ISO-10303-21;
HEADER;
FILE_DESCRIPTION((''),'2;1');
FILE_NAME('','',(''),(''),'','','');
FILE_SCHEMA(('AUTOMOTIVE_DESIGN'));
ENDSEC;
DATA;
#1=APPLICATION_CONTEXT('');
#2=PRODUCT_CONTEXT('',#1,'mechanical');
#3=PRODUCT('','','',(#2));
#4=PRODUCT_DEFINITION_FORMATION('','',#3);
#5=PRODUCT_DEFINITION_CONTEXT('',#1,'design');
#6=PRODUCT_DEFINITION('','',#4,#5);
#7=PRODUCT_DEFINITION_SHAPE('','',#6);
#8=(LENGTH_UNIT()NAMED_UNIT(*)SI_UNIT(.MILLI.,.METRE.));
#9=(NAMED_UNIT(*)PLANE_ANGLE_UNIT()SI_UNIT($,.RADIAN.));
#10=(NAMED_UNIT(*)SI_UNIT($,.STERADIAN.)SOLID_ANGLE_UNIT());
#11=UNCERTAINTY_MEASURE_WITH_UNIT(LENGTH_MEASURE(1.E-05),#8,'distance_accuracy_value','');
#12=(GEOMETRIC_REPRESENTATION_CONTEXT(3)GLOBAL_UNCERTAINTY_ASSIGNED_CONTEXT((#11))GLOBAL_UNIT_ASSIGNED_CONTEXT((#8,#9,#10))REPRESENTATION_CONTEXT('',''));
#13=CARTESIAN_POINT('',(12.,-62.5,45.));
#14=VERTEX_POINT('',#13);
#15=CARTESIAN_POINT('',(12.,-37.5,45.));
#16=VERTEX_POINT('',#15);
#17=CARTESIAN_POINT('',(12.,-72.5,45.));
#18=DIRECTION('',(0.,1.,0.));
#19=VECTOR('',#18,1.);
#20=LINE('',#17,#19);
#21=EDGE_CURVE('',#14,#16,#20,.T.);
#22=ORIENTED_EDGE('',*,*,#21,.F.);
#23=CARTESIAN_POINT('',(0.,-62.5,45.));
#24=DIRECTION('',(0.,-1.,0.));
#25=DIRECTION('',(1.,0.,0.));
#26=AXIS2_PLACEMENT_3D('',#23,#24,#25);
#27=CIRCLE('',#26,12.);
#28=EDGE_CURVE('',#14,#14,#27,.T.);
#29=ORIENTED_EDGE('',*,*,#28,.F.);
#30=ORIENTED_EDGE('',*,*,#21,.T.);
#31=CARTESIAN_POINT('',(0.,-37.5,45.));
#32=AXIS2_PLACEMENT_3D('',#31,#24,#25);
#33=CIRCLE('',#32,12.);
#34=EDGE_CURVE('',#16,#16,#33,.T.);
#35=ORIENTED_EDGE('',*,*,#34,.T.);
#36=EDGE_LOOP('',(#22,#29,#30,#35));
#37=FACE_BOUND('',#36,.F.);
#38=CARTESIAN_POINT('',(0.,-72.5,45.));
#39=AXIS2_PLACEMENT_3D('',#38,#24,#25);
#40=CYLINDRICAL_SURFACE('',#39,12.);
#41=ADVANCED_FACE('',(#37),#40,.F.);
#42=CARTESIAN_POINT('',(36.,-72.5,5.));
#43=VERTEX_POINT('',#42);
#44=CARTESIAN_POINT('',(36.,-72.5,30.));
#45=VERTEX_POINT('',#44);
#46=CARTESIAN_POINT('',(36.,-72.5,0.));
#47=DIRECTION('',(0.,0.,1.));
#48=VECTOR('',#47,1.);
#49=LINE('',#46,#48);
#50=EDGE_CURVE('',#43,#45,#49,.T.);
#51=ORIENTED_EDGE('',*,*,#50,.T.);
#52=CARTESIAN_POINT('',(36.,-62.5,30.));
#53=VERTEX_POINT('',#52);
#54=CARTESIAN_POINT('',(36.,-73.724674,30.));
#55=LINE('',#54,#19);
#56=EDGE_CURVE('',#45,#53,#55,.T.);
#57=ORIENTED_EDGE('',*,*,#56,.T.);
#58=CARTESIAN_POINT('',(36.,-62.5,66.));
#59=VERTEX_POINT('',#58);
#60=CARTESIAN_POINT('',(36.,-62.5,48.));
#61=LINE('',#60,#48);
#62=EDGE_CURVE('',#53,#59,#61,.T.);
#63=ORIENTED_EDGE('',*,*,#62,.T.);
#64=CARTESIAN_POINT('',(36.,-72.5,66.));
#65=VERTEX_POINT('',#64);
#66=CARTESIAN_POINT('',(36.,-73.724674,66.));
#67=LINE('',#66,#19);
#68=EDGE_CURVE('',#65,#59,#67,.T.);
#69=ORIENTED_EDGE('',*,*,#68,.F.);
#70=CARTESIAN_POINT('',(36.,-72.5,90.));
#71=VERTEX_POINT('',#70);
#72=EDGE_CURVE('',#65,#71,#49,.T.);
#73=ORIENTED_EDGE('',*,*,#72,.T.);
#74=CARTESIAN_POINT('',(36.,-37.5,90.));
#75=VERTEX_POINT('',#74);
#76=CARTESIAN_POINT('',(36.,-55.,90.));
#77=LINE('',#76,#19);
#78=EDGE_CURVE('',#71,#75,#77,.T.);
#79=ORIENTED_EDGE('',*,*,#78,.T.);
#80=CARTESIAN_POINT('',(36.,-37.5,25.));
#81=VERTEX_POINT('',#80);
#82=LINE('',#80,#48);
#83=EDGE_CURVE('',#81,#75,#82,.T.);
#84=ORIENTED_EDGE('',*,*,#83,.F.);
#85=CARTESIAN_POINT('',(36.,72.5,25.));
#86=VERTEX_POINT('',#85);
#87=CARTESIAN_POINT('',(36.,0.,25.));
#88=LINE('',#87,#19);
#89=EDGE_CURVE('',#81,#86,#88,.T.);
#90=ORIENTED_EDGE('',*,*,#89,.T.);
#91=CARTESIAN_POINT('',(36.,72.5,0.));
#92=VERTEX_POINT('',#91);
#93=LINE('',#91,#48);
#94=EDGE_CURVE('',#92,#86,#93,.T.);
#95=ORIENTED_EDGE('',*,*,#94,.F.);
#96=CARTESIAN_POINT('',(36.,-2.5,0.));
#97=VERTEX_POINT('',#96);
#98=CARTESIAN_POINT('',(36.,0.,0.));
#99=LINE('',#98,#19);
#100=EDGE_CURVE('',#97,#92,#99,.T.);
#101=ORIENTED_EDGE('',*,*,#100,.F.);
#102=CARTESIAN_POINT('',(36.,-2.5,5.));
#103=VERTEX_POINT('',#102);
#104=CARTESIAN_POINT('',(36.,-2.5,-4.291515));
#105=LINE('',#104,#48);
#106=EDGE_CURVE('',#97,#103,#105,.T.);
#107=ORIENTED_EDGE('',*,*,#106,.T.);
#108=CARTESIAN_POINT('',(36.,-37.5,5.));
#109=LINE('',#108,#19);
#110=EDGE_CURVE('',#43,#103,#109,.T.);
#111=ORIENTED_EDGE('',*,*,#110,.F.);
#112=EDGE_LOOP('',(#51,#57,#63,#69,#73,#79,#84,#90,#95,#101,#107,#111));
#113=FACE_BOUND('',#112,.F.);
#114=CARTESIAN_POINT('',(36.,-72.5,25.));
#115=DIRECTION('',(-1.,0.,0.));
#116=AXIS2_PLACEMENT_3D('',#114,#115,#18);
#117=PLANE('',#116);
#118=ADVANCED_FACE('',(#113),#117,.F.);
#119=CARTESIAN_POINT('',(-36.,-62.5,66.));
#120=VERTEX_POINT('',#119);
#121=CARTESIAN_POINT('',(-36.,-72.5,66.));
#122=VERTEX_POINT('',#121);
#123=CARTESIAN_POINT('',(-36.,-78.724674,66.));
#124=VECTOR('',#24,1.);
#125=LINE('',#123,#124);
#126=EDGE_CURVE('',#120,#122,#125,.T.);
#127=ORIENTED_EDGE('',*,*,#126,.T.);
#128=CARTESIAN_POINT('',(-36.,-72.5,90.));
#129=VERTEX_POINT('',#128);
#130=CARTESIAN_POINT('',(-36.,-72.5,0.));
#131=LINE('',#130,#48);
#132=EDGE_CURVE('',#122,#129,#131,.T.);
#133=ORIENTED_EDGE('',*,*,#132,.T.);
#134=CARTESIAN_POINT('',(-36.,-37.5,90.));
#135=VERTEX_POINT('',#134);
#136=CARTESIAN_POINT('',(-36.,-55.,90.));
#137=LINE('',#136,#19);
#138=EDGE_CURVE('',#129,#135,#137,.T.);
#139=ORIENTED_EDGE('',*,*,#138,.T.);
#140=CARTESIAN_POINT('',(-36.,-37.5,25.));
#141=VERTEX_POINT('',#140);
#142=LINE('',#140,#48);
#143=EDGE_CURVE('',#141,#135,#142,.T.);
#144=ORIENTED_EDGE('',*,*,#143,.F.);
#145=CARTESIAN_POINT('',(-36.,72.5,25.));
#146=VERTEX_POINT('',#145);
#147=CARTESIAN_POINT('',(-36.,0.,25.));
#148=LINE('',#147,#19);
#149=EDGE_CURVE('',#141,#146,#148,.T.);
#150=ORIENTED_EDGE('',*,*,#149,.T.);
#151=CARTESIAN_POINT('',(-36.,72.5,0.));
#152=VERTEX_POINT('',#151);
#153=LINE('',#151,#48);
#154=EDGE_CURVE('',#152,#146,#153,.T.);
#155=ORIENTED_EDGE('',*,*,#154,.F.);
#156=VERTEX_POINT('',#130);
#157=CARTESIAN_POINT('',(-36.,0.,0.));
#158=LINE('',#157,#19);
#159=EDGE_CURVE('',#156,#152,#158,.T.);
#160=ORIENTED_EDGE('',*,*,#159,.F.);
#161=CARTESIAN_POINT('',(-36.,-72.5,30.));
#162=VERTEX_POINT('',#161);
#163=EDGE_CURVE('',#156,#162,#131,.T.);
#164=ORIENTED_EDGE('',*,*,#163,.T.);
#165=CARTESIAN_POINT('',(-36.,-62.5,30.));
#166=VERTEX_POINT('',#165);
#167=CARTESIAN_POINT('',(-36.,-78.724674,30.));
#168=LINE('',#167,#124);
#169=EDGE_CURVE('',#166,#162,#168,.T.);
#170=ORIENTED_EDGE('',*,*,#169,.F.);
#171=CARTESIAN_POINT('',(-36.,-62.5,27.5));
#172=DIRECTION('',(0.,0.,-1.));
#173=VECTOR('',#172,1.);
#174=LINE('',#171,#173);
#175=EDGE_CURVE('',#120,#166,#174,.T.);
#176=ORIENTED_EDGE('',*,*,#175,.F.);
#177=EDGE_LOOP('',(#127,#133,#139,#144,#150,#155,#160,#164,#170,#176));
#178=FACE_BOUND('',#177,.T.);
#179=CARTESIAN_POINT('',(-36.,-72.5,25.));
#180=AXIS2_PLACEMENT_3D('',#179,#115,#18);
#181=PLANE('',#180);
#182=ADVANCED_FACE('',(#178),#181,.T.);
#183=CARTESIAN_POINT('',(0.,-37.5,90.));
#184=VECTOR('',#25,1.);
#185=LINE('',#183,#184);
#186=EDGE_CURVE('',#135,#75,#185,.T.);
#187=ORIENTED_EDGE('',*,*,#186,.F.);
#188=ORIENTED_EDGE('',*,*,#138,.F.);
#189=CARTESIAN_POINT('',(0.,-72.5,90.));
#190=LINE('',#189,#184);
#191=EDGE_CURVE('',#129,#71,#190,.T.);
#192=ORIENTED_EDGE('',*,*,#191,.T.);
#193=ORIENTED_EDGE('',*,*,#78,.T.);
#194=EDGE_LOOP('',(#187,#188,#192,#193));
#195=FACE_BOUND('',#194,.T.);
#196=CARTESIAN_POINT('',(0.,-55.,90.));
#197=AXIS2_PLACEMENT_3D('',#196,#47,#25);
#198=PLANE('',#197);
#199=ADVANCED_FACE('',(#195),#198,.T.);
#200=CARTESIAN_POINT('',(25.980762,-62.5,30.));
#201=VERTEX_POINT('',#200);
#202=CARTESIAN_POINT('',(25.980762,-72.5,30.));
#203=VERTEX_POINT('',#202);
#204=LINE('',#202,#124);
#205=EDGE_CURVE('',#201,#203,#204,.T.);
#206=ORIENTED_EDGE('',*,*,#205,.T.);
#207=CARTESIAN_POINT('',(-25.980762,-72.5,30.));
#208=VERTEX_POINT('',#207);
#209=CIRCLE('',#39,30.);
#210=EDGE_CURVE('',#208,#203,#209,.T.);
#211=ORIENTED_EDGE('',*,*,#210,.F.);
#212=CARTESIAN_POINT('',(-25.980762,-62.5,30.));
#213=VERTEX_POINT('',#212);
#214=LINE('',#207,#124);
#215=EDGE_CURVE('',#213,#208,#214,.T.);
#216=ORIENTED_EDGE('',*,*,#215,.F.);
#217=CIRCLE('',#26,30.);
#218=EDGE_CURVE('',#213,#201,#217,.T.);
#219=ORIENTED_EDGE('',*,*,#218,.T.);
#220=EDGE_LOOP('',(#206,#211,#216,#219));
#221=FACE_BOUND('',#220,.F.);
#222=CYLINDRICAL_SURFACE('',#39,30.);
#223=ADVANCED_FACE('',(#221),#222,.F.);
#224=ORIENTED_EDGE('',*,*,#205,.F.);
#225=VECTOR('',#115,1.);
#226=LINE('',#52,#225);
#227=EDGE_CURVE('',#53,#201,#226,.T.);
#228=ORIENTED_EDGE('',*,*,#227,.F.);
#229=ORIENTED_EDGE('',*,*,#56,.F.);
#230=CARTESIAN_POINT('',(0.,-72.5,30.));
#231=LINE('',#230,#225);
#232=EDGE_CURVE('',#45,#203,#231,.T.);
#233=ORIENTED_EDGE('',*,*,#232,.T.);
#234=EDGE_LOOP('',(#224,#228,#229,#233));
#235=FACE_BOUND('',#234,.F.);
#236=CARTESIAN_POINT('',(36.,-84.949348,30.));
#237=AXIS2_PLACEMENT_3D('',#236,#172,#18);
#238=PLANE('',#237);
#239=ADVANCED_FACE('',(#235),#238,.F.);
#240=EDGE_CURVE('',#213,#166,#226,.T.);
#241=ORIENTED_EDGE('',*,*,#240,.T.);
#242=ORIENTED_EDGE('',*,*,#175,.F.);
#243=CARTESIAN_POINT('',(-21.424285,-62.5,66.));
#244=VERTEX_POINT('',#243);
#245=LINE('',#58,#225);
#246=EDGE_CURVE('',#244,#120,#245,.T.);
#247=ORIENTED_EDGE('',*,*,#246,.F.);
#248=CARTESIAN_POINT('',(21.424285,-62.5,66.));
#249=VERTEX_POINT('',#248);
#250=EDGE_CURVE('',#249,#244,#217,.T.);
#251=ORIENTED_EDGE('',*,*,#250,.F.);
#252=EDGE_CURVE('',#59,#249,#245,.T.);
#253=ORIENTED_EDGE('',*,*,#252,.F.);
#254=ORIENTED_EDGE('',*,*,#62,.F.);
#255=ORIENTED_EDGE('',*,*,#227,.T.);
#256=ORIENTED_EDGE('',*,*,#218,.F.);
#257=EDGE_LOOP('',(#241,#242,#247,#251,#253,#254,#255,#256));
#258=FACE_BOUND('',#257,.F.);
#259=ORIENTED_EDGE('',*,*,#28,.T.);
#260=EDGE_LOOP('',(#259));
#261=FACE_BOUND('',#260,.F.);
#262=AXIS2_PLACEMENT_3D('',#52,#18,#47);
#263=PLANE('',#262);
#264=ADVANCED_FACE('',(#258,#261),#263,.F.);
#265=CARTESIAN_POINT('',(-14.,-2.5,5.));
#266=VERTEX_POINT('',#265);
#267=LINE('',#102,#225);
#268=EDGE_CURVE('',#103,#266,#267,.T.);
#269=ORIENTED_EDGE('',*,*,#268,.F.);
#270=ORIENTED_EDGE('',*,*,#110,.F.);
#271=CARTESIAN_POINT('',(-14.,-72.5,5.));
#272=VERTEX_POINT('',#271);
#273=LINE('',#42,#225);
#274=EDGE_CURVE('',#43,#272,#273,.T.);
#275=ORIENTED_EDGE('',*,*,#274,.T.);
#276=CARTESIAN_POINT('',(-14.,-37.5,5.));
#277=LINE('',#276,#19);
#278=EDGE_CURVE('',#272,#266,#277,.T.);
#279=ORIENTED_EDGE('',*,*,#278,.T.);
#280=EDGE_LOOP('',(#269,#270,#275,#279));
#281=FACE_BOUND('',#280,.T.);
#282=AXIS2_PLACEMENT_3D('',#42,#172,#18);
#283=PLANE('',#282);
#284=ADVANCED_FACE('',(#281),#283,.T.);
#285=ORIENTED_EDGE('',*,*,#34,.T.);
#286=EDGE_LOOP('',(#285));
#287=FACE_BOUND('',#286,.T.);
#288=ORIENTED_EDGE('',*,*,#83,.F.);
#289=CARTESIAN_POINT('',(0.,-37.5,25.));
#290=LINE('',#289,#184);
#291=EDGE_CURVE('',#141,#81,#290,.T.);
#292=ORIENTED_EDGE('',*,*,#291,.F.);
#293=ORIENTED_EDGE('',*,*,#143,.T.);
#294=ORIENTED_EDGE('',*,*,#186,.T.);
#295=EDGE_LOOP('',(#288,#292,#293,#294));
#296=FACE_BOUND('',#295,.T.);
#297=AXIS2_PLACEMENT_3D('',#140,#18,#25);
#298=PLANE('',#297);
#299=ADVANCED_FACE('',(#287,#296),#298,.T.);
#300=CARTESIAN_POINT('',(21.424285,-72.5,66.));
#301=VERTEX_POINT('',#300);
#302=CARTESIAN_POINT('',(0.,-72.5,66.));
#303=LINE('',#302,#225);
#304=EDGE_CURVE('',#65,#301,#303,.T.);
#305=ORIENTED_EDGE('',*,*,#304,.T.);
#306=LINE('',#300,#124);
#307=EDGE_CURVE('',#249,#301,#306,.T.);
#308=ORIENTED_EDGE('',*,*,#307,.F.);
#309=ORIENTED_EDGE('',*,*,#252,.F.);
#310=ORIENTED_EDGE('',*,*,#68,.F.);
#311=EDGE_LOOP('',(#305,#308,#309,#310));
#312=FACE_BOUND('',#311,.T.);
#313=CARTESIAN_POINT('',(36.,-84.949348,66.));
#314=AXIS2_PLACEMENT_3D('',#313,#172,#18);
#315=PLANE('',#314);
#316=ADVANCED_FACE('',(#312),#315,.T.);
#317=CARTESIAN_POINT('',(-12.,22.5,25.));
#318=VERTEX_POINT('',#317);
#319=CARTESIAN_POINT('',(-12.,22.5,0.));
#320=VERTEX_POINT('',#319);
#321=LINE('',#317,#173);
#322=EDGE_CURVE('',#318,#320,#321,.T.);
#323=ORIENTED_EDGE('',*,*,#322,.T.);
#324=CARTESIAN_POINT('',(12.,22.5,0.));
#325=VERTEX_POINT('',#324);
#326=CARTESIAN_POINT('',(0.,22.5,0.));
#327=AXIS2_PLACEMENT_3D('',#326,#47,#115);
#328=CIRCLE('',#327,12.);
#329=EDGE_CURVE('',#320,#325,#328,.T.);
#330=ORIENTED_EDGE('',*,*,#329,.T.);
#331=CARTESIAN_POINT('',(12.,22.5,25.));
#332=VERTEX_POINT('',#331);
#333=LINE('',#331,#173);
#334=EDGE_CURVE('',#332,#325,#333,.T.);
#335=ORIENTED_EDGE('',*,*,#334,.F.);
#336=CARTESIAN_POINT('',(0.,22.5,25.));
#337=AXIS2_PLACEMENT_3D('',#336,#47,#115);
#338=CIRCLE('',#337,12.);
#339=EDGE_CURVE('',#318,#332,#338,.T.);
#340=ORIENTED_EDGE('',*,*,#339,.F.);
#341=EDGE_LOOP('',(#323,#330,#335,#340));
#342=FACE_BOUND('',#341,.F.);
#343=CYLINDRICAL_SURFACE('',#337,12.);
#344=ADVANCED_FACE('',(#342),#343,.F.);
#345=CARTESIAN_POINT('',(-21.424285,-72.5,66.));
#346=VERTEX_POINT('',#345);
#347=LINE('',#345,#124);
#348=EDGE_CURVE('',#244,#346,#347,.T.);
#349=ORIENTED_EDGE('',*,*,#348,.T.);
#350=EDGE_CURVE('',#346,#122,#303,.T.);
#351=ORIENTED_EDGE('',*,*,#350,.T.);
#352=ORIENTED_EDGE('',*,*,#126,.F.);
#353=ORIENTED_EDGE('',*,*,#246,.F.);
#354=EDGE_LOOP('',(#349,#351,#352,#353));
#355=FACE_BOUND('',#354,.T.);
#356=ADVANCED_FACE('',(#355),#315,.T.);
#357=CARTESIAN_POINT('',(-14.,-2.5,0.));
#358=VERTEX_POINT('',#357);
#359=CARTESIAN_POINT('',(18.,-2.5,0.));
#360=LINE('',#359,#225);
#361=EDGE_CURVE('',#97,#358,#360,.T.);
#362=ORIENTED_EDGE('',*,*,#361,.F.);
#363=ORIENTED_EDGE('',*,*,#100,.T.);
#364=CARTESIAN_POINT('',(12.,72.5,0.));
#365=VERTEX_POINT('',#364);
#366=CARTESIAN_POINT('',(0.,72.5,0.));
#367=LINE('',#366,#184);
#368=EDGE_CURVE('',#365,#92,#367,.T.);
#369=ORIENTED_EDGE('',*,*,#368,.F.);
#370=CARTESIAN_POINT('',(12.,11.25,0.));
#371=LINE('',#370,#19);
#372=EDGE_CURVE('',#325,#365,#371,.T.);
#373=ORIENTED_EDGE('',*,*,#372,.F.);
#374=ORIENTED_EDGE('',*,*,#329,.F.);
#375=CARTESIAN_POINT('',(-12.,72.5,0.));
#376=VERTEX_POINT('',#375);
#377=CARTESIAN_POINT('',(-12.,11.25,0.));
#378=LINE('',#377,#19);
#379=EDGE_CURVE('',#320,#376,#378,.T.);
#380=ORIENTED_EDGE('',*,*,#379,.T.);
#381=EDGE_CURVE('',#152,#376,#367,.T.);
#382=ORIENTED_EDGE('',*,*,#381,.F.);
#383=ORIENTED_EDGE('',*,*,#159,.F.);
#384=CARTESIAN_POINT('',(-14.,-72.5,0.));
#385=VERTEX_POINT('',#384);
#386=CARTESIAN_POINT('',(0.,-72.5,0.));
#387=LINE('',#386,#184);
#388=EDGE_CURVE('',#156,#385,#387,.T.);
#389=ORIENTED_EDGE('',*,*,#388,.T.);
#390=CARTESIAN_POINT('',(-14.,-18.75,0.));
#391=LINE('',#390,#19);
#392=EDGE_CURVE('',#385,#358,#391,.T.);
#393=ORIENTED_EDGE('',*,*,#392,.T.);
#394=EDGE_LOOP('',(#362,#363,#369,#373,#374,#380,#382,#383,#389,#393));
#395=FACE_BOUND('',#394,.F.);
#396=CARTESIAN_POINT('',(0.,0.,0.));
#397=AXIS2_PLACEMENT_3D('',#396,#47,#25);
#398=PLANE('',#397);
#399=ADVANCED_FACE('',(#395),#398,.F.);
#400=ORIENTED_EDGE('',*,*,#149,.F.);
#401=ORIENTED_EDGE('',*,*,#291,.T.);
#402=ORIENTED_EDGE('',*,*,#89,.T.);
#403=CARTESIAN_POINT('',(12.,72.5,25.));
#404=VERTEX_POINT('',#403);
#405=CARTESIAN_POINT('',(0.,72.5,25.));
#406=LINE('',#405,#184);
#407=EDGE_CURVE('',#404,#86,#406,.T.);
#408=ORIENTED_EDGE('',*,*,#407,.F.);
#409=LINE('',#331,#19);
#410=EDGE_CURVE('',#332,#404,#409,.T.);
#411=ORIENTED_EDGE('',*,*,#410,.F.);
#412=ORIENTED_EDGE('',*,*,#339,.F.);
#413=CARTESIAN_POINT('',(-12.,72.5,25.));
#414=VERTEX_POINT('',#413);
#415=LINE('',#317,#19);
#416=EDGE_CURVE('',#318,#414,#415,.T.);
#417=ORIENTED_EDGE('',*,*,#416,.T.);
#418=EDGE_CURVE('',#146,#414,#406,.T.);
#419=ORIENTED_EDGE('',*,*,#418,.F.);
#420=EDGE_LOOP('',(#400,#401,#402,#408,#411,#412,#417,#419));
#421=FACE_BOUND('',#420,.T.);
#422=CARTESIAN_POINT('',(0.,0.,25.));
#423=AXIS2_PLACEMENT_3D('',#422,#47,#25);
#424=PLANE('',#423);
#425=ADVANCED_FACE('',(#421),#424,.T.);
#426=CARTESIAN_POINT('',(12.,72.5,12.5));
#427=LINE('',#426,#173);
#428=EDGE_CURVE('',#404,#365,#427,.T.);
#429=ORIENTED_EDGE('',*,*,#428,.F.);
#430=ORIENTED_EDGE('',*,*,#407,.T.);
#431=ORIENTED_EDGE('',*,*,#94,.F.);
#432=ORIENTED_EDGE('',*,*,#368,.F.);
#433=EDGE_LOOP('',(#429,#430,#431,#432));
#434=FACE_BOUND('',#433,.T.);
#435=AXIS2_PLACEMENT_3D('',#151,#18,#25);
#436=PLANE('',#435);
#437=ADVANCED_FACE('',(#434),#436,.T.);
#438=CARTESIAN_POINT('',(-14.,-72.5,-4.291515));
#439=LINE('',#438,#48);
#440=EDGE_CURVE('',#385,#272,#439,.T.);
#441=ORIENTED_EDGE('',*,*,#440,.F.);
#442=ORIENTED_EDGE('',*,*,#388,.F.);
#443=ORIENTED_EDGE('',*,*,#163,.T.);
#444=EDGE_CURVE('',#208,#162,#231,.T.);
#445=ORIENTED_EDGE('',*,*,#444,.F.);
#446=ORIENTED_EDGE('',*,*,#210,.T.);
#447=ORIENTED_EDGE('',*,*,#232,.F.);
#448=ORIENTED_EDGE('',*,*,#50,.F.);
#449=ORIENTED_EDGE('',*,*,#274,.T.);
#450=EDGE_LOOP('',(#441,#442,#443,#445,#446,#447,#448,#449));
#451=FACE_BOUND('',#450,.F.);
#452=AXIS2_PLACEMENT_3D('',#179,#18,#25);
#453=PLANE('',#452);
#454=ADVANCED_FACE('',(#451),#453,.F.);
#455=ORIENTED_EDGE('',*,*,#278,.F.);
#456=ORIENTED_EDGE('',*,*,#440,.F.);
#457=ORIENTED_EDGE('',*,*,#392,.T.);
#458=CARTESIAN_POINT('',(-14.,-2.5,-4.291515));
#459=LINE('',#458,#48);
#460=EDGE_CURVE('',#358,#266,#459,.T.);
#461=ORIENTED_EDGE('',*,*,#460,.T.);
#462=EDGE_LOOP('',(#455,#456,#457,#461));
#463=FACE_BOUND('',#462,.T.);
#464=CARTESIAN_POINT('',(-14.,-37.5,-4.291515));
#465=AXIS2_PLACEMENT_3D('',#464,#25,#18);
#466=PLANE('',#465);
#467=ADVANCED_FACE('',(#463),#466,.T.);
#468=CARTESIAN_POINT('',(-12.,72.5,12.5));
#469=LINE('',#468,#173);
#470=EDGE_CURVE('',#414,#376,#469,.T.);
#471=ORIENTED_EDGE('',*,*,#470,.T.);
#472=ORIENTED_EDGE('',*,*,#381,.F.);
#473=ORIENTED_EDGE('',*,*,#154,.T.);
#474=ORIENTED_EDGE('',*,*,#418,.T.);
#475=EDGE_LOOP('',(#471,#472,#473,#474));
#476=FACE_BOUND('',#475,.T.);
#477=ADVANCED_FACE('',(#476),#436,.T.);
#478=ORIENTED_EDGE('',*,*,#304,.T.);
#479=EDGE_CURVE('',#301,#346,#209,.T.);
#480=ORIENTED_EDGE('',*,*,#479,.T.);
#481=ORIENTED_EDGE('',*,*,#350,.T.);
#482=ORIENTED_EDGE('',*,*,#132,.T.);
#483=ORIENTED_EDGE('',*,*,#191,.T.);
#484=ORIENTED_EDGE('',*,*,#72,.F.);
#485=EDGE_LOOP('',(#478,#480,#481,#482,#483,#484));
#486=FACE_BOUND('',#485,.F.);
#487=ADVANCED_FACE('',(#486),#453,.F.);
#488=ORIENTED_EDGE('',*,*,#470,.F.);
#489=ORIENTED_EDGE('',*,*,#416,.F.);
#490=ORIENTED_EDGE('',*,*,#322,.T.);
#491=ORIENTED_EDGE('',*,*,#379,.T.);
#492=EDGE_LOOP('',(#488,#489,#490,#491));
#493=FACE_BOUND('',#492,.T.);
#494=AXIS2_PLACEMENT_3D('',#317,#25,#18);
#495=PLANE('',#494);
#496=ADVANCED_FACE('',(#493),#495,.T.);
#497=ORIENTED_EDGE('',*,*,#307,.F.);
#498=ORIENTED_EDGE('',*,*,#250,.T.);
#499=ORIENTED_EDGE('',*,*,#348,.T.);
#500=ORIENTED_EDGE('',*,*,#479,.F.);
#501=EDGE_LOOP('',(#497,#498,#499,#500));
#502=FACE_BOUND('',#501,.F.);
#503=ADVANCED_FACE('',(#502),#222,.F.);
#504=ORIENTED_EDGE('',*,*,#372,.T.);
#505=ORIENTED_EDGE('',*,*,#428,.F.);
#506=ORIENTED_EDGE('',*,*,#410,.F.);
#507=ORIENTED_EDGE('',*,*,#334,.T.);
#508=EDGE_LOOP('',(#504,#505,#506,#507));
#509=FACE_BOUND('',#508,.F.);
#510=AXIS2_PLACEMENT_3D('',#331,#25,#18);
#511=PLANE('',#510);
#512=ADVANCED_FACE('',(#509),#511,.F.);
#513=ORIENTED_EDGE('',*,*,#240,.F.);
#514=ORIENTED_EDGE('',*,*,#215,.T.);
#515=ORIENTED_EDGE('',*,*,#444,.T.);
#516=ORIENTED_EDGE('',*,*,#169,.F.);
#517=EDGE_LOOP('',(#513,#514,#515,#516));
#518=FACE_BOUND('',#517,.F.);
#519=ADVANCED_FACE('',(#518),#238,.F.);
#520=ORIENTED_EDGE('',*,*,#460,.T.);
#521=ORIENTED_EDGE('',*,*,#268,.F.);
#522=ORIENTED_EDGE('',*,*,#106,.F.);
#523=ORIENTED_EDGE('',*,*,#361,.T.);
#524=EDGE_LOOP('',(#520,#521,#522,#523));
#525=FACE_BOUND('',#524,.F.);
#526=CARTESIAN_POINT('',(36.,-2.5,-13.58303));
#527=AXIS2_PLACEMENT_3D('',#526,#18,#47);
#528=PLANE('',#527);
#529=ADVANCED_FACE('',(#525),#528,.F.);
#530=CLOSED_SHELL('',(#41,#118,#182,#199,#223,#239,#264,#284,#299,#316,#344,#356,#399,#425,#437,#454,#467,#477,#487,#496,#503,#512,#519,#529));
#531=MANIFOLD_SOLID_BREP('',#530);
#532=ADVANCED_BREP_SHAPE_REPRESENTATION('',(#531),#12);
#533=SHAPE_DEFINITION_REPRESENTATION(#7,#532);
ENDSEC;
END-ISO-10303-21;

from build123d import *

# Parameters (mm, degrees)
SKETCH_W        = 72
SKETCH_H        = 145
PAD_DEPTH       = 25
SKETCH001_W     = 72
SKETCH001_H     = 35
PAD001_DEPTH    = 65
SKETCH002_W     = 70
SKETCH002_H     = 18.58303
POCKET_DEPTH    = 50
POCKET001_DEPTH = 25.001
SKETCH004_R     = 12
POCKET002_DEPTH = 145.001
SKETCH005_R     = 30
POCKET003_DEPTH = 10
SKETCH006_W     = 22.449348
SKETCH006_H     = 36
POCKET004_DEPTH = 72.001


with BuildPart() as part:
    # Sketch → Pad (new body)
    with BuildSketch(Plane.XY):
        Rectangle(SKETCH_W, SKETCH_H)
    extrude(amount=PAD_DEPTH)

    # Sketch001 → Pad001 (new body)
    with BuildSketch(Plane.XY.offset(25)):
        with Locations((0, -55)):
            Rectangle(SKETCH001_W, SKETCH001_H)
    extrude(amount=PAD001_DEPTH)

    # Sketch002 → Pocket (cut)
    with BuildSketch(Plane.YZ.offset(36)):
        with Locations((-37.5, -4.291515)):
            Rectangle(SKETCH002_W, SKETCH002_H)
    extrude(amount=-POCKET_DEPTH, mode=Mode.SUBTRACT)

    # Sketch003 → Pocket001 (cut, through all)
    with BuildSketch(Plane.XY.offset(25)):
        with BuildLine():
            ThreePointArc((-12, 22.5), (0, 10.5), (12, 22.5))
            Line((12, 22.5), (12, 75.823228))
            ThreePointArc((12, 75.823228), (0, 87.823228), (-12, 75.823228))
            Line((-12, 22.5), (-12, 75.823228))
        make_face()
    extrude(amount=-POCKET001_DEPTH, mode=Mode.SUBTRACT)

    # Sketch004 → Pocket002 (cut, through all)
    with BuildSketch(Plane.XZ.offset(72.5)):
        with Locations((0, 45)):
            Circle(SKETCH004_R)
    extrude(amount=-POCKET002_DEPTH, mode=Mode.SUBTRACT)

    # Sketch005 → Pocket003 (cut)
    with BuildSketch(Plane.XZ.offset(72.5)):
        with Locations((0, 45)):
            Circle(SKETCH005_R)
    extrude(amount=-POCKET003_DEPTH, mode=Mode.SUBTRACT)

    # Sketch006 → Pocket004 (cut, through all)
    with BuildSketch(Plane.YZ.offset(36)):
        with Locations((-73.724674, 48)):
            Rectangle(SKETCH006_W, SKETCH006_H)
    extrude(amount=-POCKET004_DEPTH, mode=Mode.SUBTRACT)


solid = part.part
